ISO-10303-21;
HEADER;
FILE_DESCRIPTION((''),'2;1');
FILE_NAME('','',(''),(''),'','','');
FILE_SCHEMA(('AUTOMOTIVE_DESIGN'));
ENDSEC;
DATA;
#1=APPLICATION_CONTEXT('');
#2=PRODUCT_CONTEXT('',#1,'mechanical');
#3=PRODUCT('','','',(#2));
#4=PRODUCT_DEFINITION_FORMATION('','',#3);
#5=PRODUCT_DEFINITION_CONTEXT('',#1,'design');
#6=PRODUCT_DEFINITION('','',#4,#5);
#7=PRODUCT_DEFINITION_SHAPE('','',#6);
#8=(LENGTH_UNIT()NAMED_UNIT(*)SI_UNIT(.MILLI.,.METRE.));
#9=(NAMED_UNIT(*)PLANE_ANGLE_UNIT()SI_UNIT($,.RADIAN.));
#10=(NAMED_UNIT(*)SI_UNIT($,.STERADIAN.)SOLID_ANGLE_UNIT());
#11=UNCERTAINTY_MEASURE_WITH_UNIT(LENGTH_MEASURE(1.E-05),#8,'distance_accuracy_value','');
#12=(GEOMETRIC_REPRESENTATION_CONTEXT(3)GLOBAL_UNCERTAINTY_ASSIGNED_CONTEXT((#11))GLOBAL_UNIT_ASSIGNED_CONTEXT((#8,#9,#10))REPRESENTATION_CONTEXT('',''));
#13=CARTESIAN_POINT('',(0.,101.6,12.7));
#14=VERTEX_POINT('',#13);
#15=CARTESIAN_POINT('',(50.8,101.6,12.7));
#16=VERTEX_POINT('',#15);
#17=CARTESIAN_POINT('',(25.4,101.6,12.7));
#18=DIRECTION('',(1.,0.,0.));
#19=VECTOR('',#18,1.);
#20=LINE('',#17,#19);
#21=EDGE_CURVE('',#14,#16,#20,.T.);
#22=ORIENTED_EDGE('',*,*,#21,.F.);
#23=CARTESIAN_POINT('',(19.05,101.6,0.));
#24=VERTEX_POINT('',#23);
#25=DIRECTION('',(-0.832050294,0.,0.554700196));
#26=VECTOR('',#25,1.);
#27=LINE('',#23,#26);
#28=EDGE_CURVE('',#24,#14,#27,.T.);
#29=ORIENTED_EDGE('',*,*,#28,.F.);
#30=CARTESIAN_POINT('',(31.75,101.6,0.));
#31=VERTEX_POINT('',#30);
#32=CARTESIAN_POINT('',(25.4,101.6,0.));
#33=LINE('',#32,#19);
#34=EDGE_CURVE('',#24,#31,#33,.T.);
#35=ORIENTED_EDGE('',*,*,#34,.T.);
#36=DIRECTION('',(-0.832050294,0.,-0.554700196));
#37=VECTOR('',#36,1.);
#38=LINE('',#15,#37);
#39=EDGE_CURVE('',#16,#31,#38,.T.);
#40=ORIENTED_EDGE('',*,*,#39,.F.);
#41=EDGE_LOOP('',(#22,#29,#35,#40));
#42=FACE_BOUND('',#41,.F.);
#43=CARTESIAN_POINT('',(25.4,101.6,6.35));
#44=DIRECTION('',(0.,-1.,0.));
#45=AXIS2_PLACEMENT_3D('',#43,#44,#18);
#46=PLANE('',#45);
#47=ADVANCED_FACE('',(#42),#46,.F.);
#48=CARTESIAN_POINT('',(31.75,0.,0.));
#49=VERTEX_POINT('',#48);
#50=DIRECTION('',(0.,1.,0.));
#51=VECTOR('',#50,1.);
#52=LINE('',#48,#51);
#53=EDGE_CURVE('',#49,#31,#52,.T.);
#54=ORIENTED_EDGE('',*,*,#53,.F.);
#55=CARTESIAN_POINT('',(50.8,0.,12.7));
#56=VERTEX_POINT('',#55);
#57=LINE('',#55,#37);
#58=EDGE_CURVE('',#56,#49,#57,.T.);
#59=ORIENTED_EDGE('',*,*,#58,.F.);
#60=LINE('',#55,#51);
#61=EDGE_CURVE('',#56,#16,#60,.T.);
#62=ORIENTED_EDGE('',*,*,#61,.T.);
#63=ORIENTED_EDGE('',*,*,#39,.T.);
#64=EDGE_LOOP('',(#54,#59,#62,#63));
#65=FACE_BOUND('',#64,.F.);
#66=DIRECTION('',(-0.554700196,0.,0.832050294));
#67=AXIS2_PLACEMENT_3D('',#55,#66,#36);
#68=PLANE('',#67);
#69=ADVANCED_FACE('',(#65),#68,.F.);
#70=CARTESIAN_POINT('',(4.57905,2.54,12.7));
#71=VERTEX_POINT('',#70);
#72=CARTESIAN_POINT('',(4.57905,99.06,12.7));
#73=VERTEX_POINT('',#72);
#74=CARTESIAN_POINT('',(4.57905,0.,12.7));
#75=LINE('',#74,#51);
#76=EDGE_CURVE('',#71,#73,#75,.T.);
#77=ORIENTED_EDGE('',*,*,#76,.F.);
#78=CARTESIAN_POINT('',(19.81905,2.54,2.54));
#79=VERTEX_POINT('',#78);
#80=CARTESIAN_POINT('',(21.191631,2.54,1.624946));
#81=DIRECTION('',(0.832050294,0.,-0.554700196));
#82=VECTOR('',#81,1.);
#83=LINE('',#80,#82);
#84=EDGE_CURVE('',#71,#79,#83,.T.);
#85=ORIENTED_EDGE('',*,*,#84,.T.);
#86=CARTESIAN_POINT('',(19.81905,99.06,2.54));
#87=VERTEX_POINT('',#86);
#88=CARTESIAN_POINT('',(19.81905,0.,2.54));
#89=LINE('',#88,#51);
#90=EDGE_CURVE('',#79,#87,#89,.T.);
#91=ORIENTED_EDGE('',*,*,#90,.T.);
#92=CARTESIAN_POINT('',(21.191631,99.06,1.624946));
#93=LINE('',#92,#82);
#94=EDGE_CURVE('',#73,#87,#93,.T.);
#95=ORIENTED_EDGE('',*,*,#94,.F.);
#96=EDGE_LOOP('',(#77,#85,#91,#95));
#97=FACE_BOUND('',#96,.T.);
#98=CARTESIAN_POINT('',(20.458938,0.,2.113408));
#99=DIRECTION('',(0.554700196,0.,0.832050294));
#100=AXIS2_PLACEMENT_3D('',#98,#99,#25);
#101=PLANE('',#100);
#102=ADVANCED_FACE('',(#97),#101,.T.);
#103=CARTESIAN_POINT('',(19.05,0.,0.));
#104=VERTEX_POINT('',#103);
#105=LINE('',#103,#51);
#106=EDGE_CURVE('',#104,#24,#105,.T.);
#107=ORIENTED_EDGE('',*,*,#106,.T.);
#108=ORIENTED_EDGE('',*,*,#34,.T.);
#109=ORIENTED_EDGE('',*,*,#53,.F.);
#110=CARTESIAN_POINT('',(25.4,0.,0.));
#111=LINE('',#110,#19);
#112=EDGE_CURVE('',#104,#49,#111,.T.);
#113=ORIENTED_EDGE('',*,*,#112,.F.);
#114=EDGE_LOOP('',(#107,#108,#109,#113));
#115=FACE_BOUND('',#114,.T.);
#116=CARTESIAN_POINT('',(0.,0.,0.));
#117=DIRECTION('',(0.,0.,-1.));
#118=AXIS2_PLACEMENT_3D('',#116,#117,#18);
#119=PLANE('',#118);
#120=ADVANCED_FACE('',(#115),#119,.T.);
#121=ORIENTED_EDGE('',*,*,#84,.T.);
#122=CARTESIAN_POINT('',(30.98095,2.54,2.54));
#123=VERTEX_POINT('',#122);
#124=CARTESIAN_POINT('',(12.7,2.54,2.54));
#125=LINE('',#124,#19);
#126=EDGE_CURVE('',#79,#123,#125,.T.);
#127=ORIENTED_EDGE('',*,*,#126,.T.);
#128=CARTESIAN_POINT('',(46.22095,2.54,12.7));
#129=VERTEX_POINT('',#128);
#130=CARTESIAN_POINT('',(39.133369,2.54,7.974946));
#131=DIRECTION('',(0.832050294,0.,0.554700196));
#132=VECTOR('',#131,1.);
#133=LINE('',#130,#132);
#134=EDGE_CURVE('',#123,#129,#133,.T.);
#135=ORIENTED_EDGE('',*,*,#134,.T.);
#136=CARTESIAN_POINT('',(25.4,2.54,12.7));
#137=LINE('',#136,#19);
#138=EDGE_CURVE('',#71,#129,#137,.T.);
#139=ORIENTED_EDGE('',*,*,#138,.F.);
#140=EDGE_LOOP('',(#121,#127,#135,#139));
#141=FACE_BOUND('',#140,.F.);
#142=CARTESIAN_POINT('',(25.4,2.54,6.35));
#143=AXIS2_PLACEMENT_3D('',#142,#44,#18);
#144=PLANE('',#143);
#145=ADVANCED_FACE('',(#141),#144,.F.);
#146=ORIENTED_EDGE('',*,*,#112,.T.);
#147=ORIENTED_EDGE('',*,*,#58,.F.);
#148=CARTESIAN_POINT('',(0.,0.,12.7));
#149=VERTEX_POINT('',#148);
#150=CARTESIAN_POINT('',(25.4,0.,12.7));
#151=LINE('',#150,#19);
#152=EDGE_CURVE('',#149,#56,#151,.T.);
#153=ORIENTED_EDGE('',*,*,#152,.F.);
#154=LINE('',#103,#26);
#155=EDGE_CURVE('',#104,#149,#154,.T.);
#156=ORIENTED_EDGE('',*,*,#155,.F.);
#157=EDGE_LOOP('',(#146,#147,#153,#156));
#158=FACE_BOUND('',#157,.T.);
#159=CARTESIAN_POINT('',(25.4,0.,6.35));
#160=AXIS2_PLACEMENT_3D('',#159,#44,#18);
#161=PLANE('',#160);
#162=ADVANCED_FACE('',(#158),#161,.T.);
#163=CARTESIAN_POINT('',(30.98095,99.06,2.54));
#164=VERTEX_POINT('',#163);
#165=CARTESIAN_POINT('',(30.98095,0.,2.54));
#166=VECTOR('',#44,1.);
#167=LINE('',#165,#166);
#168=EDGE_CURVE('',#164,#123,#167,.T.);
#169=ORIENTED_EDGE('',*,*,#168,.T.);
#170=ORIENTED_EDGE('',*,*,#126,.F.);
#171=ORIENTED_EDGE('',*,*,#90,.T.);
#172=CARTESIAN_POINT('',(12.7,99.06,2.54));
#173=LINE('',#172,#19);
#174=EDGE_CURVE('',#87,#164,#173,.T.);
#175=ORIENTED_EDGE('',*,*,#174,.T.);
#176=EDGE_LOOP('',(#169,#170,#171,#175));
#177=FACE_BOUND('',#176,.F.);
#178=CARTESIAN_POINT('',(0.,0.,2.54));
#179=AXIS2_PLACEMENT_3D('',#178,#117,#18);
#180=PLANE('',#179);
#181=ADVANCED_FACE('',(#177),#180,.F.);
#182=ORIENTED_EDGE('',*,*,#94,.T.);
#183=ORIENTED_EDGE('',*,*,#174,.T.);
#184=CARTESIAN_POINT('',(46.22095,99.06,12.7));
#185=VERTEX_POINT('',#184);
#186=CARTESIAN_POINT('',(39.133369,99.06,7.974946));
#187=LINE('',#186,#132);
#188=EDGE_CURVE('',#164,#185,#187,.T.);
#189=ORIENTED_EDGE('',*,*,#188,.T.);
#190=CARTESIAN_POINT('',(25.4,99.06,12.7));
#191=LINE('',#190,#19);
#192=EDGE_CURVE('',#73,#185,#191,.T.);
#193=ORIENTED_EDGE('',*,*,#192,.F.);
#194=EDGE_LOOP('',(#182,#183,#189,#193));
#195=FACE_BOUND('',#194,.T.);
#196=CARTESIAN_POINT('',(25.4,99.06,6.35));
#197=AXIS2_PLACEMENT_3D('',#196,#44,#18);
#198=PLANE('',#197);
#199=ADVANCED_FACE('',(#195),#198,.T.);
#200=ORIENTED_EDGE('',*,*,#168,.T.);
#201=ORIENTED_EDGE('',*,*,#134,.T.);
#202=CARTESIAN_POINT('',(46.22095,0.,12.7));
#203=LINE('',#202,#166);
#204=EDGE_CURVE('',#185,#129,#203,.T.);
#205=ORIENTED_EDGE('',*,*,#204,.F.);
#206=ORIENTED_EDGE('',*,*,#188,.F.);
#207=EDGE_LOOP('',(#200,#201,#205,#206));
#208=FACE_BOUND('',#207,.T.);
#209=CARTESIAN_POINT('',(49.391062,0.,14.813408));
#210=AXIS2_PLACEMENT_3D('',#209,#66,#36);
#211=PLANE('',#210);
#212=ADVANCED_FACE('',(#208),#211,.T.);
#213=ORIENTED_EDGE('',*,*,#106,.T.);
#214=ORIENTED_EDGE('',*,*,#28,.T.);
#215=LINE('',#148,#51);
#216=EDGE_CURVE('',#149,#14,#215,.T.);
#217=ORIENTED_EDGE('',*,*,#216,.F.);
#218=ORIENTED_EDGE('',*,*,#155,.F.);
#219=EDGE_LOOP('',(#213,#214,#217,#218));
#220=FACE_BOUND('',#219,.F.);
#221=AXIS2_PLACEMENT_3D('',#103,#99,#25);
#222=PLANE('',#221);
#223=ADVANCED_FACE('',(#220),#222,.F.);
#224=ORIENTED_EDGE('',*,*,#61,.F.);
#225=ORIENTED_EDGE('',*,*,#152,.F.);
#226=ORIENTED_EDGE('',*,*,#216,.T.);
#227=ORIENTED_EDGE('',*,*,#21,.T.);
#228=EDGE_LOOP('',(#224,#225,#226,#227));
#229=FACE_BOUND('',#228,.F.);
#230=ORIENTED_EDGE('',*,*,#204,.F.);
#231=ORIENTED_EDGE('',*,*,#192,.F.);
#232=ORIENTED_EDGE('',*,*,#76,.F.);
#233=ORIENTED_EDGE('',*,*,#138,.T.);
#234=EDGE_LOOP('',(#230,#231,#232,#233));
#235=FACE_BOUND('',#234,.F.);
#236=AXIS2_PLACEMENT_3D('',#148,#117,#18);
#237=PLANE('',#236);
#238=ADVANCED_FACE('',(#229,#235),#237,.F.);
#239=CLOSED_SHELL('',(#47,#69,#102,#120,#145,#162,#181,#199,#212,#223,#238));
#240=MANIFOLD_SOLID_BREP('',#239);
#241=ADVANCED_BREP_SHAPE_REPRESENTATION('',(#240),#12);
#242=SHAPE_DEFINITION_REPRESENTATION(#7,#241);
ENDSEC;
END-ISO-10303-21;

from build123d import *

# Parameters (mm, degrees)
F0_W     = 50.8
F0_H     = 12.7
F1_DEPTH = 101.6
F3_DEPTH = 101.6
F5_DEPTH = 101.6
F6_T     = -2.54


with BuildPart() as f1:
    # F0 (on Front) → F1 (new body)
    with BuildSketch(Plane.XZ):
        with Locations((25.4, 6.35)):
            Rectangle(F0_W, F0_H)
    extrude(amount=-F1_DEPTH)

    # F2 (on face) → F3 (cut)
    with BuildSketch(Plane.XZ):
        Polygon((0, 12.7), (0, 0), (19.05, 0), align=None)
    extrude(amount=-F3_DEPTH, mode=Mode.SUBTRACT)

    # F4 (on face) → F5 (cut)
    with BuildSketch(Plane.XZ):
        Polygon((31.75, 0), (50.8, 0), (50.8, 12.7), align=None)
    extrude(amount=-F5_DEPTH, mode=Mode.SUBTRACT)

    # F6
    f6_openings = [f1.faces().sort_by_distance(p)[0] for p in [
        (25.4, 50.8, 12.7),
    ]]
    offset(amount=F6_T, openings=f6_openings)


solid = f1.part
